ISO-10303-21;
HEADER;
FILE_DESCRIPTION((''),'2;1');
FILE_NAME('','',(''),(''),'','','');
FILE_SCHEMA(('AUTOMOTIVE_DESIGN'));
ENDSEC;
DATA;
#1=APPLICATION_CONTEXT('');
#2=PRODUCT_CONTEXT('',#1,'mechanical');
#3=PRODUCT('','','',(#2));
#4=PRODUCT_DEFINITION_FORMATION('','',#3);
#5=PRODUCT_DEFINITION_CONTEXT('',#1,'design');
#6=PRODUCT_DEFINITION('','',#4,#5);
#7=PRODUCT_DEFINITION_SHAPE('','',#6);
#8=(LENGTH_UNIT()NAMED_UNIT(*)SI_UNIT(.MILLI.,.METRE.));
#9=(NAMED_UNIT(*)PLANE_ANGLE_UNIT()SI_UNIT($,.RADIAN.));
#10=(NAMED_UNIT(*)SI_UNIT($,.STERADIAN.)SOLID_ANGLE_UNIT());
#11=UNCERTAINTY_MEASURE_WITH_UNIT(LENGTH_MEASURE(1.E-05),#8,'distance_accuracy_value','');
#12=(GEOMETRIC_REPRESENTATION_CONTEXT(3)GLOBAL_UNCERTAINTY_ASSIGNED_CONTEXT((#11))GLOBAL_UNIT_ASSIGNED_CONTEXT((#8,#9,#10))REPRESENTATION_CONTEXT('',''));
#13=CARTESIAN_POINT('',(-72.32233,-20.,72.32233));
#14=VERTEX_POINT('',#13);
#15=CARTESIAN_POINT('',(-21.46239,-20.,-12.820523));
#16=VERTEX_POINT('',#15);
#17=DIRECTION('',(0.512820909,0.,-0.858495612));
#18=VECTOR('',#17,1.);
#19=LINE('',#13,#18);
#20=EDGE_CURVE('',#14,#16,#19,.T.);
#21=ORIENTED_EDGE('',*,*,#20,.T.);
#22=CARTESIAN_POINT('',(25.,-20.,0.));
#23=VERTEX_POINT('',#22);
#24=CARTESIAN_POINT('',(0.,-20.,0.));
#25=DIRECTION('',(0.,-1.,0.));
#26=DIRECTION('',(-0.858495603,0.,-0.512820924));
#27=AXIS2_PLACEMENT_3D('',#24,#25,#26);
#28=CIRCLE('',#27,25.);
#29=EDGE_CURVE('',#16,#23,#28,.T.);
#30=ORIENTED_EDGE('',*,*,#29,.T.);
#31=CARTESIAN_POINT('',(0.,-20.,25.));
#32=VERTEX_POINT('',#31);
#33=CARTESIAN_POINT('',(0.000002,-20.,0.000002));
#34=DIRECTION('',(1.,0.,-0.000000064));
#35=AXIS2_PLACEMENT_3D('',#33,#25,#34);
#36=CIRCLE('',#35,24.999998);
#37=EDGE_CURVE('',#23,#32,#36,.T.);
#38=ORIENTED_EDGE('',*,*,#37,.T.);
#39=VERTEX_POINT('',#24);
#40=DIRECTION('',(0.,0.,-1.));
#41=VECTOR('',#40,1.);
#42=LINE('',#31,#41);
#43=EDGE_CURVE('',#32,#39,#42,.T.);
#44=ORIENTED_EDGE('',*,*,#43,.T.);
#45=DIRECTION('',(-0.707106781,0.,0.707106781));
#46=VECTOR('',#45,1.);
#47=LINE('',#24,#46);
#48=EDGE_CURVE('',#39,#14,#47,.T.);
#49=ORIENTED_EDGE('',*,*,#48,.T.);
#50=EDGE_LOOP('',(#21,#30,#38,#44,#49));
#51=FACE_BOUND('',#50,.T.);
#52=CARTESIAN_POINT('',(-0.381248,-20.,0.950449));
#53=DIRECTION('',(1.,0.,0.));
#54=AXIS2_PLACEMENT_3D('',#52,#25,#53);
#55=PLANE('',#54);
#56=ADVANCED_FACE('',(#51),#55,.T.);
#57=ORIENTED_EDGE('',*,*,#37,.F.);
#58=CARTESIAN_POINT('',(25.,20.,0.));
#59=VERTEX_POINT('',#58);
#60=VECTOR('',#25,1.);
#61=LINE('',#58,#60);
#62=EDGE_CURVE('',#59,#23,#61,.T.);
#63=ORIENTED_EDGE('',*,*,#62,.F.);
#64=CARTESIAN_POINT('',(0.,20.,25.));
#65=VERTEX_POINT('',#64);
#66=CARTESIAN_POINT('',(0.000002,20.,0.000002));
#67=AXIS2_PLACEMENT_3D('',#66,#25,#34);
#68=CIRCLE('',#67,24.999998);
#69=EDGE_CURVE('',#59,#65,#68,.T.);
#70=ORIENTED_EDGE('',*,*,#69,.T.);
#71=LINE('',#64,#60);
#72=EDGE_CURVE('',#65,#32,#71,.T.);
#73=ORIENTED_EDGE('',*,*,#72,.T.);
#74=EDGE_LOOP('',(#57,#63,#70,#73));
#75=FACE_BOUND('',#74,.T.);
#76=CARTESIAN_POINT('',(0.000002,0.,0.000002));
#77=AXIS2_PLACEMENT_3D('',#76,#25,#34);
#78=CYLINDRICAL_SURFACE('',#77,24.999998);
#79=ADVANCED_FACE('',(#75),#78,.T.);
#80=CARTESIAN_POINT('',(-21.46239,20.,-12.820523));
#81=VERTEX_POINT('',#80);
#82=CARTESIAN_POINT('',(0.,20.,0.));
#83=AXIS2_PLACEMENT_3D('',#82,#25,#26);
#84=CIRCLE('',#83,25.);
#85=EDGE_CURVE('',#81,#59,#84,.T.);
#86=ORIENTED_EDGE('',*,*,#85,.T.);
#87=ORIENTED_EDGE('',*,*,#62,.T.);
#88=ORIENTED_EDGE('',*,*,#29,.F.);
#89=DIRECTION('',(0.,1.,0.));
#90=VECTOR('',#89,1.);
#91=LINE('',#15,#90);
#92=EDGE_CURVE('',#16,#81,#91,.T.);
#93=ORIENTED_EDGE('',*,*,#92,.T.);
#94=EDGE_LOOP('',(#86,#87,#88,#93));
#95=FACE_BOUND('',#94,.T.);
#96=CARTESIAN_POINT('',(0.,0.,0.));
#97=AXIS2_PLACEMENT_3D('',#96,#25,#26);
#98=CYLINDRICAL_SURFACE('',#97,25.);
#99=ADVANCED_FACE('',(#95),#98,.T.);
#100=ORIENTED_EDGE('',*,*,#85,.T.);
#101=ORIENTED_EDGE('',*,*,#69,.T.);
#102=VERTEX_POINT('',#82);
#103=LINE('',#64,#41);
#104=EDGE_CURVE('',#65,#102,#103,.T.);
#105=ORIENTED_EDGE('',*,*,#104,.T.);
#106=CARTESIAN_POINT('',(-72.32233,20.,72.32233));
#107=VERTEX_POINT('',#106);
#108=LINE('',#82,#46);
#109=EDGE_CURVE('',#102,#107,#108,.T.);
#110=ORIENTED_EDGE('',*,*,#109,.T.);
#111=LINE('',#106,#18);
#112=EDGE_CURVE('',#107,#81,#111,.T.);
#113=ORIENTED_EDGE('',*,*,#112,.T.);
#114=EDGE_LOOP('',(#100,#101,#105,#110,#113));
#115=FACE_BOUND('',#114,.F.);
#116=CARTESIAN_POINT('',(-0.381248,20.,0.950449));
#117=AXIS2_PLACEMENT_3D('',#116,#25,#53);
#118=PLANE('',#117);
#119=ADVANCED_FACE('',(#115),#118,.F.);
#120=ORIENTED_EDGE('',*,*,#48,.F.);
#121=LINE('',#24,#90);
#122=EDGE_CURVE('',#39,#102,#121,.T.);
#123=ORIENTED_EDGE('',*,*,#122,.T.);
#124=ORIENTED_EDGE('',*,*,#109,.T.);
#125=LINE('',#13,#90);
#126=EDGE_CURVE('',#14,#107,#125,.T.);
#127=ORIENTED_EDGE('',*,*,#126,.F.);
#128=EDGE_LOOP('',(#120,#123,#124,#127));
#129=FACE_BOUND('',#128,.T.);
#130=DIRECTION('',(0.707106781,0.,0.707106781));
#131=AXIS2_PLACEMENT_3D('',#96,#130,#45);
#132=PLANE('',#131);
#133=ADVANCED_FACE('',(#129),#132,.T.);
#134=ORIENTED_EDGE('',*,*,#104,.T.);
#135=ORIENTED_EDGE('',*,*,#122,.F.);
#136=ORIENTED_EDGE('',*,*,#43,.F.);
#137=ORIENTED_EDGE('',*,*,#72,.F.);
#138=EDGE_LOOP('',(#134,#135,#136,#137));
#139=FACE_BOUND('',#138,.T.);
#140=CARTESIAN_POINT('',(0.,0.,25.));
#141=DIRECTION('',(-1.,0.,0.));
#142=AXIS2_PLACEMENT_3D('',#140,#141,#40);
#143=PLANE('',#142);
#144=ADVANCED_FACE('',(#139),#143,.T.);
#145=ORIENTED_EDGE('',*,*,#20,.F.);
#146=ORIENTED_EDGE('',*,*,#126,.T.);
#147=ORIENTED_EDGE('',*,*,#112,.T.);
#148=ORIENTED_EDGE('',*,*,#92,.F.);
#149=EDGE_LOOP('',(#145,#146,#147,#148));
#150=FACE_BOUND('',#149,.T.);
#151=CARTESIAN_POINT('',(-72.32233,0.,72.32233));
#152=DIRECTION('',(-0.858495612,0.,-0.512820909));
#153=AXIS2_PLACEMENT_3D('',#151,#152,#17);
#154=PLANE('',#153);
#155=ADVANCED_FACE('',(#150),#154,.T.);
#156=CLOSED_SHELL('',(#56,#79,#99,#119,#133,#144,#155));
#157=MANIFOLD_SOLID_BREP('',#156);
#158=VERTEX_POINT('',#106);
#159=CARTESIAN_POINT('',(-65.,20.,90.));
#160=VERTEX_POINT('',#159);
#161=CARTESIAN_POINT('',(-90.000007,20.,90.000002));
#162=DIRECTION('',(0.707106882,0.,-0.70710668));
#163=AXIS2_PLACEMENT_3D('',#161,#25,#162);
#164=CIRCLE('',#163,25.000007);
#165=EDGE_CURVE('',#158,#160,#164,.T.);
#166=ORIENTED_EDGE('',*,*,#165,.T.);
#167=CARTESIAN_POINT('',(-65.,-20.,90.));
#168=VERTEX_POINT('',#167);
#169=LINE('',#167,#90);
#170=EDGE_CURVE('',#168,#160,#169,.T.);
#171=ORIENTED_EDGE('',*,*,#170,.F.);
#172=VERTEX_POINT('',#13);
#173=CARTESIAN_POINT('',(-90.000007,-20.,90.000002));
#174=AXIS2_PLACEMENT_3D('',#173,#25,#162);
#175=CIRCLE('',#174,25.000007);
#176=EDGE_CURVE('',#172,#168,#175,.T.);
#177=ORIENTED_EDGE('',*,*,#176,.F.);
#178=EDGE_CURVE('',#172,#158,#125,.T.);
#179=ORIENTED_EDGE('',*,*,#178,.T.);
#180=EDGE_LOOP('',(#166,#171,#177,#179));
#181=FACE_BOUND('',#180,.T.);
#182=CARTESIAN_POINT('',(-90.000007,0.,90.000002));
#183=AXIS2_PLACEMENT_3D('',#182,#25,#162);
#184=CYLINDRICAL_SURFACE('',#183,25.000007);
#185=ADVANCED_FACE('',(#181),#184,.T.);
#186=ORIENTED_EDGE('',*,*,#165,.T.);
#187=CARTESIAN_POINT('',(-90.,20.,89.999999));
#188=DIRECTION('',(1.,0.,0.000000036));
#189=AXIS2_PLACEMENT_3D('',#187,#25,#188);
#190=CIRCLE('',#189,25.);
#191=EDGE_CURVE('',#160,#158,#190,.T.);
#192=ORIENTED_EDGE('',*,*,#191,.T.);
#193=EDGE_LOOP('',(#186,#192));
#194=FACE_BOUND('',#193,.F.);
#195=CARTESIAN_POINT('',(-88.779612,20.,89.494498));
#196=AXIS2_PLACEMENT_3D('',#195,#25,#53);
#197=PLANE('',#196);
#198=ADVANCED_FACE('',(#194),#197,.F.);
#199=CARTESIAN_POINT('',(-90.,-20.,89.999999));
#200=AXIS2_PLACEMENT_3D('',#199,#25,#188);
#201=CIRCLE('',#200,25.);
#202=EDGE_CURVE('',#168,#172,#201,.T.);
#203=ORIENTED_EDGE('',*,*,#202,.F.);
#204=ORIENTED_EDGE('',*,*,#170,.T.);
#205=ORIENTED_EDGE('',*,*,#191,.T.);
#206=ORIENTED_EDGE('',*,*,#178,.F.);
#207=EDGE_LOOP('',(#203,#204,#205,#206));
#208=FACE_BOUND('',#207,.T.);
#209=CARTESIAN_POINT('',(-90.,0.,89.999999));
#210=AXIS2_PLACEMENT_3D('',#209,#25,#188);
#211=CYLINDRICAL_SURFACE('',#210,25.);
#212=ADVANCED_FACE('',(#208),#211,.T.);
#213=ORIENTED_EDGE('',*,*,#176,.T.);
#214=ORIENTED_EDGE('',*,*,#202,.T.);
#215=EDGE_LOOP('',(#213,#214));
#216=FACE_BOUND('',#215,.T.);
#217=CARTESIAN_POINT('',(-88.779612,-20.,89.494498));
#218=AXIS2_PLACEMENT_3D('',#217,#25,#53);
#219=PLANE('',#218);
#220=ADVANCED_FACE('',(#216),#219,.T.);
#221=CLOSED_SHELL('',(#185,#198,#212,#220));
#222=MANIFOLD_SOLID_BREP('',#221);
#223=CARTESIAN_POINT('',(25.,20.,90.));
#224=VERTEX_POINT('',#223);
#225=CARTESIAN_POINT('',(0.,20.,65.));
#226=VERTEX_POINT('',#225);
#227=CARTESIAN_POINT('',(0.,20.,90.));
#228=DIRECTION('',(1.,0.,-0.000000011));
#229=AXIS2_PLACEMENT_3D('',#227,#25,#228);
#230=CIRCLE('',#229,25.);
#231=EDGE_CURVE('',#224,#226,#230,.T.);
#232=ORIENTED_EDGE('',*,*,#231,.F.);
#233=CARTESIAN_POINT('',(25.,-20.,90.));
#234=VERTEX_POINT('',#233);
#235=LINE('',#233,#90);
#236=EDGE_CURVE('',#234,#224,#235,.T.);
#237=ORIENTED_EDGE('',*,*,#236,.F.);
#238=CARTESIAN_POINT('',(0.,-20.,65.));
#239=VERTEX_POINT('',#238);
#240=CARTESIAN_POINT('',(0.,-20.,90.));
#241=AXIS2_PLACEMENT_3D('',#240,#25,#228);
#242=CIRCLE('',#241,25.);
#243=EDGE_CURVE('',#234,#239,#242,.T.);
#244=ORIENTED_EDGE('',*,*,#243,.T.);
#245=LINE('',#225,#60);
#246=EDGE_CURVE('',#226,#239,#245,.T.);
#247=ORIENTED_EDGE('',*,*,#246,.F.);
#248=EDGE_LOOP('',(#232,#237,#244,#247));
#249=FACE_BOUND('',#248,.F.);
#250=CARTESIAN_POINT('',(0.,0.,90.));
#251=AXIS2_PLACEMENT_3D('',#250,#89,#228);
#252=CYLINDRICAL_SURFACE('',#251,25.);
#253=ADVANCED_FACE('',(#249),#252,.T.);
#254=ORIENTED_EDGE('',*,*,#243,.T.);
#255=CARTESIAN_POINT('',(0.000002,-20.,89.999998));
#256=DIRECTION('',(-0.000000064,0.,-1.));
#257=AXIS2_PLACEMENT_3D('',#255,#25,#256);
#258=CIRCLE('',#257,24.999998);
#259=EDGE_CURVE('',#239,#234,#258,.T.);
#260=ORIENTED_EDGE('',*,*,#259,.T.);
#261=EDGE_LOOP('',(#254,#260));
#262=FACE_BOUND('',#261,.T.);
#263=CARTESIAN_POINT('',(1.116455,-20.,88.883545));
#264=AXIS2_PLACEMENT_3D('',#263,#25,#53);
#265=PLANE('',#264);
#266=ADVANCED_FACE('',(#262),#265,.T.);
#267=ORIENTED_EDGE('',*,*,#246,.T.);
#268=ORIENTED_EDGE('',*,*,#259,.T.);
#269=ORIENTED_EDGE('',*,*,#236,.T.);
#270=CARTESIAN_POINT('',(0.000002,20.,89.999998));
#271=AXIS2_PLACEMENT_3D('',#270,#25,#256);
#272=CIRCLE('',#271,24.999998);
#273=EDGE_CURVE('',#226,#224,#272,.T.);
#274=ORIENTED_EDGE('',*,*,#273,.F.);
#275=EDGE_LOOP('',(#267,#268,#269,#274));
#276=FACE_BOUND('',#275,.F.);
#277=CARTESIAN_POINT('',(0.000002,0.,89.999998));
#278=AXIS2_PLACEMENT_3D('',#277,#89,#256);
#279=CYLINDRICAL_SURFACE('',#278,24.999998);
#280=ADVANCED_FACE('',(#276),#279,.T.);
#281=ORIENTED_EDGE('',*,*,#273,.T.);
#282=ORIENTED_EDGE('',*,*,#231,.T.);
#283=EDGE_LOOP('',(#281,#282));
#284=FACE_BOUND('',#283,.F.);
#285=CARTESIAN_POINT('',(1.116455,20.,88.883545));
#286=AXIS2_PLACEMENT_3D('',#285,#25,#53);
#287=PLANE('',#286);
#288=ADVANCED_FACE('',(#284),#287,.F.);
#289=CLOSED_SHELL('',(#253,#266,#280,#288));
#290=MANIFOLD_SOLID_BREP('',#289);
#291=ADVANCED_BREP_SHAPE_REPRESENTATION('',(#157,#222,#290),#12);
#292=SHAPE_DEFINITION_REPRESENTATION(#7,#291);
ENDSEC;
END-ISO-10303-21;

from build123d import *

# Parameters (mm, degrees)
F1_DEPTH = 20


with BuildPart() as f1:
    # F0 (on Front) → F1 (new body, symmetric)
    with BuildSketch(Plane.XZ):
        with BuildLine():
            ThreePointArc((-65, 90), (-113.096988, 99.567086), (-72.32233, 72.32233))
            ThreePointArc((-72.32233, 72.32233), (-66.903012, 80.432914), (-65, 90))
        make_face()
        with BuildLine():
            ThreePointArc((25, 90), (-17.67767, 107.67767), (0, 65))
            ThreePointArc((0, 65), (17.67767, 72.32233), (25, 90))
        make_face()
        with BuildLine():
            ThreePointArc((-17.67767, 17.67767), (-24.809696, 3.078798), (-21.46239, -12.820523))
            ThreePointArc((-21.46239, -12.820523), (6.649821, -24.099375), (25, 0))
            ThreePointArc((25, 0), (17.67767, 17.67767), (0, 25))
            Line((0, 25), (0, 0))
            Line((0, 0), (-17.67767, 17.67767))
        make_face()
        with BuildLine():
            Line((-72.32233, 72.32233), (-21.46239, -12.820523))
            ThreePointArc((-21.46239, -12.820523), (-24.809696, 3.078798), (-17.67767, 17.67767))
            Line((-17.67767, 17.67767), (-72.32233, 72.32233))
        make_face()
    extrude(amount=F1_DEPTH, both=True)


solid = f1.part
